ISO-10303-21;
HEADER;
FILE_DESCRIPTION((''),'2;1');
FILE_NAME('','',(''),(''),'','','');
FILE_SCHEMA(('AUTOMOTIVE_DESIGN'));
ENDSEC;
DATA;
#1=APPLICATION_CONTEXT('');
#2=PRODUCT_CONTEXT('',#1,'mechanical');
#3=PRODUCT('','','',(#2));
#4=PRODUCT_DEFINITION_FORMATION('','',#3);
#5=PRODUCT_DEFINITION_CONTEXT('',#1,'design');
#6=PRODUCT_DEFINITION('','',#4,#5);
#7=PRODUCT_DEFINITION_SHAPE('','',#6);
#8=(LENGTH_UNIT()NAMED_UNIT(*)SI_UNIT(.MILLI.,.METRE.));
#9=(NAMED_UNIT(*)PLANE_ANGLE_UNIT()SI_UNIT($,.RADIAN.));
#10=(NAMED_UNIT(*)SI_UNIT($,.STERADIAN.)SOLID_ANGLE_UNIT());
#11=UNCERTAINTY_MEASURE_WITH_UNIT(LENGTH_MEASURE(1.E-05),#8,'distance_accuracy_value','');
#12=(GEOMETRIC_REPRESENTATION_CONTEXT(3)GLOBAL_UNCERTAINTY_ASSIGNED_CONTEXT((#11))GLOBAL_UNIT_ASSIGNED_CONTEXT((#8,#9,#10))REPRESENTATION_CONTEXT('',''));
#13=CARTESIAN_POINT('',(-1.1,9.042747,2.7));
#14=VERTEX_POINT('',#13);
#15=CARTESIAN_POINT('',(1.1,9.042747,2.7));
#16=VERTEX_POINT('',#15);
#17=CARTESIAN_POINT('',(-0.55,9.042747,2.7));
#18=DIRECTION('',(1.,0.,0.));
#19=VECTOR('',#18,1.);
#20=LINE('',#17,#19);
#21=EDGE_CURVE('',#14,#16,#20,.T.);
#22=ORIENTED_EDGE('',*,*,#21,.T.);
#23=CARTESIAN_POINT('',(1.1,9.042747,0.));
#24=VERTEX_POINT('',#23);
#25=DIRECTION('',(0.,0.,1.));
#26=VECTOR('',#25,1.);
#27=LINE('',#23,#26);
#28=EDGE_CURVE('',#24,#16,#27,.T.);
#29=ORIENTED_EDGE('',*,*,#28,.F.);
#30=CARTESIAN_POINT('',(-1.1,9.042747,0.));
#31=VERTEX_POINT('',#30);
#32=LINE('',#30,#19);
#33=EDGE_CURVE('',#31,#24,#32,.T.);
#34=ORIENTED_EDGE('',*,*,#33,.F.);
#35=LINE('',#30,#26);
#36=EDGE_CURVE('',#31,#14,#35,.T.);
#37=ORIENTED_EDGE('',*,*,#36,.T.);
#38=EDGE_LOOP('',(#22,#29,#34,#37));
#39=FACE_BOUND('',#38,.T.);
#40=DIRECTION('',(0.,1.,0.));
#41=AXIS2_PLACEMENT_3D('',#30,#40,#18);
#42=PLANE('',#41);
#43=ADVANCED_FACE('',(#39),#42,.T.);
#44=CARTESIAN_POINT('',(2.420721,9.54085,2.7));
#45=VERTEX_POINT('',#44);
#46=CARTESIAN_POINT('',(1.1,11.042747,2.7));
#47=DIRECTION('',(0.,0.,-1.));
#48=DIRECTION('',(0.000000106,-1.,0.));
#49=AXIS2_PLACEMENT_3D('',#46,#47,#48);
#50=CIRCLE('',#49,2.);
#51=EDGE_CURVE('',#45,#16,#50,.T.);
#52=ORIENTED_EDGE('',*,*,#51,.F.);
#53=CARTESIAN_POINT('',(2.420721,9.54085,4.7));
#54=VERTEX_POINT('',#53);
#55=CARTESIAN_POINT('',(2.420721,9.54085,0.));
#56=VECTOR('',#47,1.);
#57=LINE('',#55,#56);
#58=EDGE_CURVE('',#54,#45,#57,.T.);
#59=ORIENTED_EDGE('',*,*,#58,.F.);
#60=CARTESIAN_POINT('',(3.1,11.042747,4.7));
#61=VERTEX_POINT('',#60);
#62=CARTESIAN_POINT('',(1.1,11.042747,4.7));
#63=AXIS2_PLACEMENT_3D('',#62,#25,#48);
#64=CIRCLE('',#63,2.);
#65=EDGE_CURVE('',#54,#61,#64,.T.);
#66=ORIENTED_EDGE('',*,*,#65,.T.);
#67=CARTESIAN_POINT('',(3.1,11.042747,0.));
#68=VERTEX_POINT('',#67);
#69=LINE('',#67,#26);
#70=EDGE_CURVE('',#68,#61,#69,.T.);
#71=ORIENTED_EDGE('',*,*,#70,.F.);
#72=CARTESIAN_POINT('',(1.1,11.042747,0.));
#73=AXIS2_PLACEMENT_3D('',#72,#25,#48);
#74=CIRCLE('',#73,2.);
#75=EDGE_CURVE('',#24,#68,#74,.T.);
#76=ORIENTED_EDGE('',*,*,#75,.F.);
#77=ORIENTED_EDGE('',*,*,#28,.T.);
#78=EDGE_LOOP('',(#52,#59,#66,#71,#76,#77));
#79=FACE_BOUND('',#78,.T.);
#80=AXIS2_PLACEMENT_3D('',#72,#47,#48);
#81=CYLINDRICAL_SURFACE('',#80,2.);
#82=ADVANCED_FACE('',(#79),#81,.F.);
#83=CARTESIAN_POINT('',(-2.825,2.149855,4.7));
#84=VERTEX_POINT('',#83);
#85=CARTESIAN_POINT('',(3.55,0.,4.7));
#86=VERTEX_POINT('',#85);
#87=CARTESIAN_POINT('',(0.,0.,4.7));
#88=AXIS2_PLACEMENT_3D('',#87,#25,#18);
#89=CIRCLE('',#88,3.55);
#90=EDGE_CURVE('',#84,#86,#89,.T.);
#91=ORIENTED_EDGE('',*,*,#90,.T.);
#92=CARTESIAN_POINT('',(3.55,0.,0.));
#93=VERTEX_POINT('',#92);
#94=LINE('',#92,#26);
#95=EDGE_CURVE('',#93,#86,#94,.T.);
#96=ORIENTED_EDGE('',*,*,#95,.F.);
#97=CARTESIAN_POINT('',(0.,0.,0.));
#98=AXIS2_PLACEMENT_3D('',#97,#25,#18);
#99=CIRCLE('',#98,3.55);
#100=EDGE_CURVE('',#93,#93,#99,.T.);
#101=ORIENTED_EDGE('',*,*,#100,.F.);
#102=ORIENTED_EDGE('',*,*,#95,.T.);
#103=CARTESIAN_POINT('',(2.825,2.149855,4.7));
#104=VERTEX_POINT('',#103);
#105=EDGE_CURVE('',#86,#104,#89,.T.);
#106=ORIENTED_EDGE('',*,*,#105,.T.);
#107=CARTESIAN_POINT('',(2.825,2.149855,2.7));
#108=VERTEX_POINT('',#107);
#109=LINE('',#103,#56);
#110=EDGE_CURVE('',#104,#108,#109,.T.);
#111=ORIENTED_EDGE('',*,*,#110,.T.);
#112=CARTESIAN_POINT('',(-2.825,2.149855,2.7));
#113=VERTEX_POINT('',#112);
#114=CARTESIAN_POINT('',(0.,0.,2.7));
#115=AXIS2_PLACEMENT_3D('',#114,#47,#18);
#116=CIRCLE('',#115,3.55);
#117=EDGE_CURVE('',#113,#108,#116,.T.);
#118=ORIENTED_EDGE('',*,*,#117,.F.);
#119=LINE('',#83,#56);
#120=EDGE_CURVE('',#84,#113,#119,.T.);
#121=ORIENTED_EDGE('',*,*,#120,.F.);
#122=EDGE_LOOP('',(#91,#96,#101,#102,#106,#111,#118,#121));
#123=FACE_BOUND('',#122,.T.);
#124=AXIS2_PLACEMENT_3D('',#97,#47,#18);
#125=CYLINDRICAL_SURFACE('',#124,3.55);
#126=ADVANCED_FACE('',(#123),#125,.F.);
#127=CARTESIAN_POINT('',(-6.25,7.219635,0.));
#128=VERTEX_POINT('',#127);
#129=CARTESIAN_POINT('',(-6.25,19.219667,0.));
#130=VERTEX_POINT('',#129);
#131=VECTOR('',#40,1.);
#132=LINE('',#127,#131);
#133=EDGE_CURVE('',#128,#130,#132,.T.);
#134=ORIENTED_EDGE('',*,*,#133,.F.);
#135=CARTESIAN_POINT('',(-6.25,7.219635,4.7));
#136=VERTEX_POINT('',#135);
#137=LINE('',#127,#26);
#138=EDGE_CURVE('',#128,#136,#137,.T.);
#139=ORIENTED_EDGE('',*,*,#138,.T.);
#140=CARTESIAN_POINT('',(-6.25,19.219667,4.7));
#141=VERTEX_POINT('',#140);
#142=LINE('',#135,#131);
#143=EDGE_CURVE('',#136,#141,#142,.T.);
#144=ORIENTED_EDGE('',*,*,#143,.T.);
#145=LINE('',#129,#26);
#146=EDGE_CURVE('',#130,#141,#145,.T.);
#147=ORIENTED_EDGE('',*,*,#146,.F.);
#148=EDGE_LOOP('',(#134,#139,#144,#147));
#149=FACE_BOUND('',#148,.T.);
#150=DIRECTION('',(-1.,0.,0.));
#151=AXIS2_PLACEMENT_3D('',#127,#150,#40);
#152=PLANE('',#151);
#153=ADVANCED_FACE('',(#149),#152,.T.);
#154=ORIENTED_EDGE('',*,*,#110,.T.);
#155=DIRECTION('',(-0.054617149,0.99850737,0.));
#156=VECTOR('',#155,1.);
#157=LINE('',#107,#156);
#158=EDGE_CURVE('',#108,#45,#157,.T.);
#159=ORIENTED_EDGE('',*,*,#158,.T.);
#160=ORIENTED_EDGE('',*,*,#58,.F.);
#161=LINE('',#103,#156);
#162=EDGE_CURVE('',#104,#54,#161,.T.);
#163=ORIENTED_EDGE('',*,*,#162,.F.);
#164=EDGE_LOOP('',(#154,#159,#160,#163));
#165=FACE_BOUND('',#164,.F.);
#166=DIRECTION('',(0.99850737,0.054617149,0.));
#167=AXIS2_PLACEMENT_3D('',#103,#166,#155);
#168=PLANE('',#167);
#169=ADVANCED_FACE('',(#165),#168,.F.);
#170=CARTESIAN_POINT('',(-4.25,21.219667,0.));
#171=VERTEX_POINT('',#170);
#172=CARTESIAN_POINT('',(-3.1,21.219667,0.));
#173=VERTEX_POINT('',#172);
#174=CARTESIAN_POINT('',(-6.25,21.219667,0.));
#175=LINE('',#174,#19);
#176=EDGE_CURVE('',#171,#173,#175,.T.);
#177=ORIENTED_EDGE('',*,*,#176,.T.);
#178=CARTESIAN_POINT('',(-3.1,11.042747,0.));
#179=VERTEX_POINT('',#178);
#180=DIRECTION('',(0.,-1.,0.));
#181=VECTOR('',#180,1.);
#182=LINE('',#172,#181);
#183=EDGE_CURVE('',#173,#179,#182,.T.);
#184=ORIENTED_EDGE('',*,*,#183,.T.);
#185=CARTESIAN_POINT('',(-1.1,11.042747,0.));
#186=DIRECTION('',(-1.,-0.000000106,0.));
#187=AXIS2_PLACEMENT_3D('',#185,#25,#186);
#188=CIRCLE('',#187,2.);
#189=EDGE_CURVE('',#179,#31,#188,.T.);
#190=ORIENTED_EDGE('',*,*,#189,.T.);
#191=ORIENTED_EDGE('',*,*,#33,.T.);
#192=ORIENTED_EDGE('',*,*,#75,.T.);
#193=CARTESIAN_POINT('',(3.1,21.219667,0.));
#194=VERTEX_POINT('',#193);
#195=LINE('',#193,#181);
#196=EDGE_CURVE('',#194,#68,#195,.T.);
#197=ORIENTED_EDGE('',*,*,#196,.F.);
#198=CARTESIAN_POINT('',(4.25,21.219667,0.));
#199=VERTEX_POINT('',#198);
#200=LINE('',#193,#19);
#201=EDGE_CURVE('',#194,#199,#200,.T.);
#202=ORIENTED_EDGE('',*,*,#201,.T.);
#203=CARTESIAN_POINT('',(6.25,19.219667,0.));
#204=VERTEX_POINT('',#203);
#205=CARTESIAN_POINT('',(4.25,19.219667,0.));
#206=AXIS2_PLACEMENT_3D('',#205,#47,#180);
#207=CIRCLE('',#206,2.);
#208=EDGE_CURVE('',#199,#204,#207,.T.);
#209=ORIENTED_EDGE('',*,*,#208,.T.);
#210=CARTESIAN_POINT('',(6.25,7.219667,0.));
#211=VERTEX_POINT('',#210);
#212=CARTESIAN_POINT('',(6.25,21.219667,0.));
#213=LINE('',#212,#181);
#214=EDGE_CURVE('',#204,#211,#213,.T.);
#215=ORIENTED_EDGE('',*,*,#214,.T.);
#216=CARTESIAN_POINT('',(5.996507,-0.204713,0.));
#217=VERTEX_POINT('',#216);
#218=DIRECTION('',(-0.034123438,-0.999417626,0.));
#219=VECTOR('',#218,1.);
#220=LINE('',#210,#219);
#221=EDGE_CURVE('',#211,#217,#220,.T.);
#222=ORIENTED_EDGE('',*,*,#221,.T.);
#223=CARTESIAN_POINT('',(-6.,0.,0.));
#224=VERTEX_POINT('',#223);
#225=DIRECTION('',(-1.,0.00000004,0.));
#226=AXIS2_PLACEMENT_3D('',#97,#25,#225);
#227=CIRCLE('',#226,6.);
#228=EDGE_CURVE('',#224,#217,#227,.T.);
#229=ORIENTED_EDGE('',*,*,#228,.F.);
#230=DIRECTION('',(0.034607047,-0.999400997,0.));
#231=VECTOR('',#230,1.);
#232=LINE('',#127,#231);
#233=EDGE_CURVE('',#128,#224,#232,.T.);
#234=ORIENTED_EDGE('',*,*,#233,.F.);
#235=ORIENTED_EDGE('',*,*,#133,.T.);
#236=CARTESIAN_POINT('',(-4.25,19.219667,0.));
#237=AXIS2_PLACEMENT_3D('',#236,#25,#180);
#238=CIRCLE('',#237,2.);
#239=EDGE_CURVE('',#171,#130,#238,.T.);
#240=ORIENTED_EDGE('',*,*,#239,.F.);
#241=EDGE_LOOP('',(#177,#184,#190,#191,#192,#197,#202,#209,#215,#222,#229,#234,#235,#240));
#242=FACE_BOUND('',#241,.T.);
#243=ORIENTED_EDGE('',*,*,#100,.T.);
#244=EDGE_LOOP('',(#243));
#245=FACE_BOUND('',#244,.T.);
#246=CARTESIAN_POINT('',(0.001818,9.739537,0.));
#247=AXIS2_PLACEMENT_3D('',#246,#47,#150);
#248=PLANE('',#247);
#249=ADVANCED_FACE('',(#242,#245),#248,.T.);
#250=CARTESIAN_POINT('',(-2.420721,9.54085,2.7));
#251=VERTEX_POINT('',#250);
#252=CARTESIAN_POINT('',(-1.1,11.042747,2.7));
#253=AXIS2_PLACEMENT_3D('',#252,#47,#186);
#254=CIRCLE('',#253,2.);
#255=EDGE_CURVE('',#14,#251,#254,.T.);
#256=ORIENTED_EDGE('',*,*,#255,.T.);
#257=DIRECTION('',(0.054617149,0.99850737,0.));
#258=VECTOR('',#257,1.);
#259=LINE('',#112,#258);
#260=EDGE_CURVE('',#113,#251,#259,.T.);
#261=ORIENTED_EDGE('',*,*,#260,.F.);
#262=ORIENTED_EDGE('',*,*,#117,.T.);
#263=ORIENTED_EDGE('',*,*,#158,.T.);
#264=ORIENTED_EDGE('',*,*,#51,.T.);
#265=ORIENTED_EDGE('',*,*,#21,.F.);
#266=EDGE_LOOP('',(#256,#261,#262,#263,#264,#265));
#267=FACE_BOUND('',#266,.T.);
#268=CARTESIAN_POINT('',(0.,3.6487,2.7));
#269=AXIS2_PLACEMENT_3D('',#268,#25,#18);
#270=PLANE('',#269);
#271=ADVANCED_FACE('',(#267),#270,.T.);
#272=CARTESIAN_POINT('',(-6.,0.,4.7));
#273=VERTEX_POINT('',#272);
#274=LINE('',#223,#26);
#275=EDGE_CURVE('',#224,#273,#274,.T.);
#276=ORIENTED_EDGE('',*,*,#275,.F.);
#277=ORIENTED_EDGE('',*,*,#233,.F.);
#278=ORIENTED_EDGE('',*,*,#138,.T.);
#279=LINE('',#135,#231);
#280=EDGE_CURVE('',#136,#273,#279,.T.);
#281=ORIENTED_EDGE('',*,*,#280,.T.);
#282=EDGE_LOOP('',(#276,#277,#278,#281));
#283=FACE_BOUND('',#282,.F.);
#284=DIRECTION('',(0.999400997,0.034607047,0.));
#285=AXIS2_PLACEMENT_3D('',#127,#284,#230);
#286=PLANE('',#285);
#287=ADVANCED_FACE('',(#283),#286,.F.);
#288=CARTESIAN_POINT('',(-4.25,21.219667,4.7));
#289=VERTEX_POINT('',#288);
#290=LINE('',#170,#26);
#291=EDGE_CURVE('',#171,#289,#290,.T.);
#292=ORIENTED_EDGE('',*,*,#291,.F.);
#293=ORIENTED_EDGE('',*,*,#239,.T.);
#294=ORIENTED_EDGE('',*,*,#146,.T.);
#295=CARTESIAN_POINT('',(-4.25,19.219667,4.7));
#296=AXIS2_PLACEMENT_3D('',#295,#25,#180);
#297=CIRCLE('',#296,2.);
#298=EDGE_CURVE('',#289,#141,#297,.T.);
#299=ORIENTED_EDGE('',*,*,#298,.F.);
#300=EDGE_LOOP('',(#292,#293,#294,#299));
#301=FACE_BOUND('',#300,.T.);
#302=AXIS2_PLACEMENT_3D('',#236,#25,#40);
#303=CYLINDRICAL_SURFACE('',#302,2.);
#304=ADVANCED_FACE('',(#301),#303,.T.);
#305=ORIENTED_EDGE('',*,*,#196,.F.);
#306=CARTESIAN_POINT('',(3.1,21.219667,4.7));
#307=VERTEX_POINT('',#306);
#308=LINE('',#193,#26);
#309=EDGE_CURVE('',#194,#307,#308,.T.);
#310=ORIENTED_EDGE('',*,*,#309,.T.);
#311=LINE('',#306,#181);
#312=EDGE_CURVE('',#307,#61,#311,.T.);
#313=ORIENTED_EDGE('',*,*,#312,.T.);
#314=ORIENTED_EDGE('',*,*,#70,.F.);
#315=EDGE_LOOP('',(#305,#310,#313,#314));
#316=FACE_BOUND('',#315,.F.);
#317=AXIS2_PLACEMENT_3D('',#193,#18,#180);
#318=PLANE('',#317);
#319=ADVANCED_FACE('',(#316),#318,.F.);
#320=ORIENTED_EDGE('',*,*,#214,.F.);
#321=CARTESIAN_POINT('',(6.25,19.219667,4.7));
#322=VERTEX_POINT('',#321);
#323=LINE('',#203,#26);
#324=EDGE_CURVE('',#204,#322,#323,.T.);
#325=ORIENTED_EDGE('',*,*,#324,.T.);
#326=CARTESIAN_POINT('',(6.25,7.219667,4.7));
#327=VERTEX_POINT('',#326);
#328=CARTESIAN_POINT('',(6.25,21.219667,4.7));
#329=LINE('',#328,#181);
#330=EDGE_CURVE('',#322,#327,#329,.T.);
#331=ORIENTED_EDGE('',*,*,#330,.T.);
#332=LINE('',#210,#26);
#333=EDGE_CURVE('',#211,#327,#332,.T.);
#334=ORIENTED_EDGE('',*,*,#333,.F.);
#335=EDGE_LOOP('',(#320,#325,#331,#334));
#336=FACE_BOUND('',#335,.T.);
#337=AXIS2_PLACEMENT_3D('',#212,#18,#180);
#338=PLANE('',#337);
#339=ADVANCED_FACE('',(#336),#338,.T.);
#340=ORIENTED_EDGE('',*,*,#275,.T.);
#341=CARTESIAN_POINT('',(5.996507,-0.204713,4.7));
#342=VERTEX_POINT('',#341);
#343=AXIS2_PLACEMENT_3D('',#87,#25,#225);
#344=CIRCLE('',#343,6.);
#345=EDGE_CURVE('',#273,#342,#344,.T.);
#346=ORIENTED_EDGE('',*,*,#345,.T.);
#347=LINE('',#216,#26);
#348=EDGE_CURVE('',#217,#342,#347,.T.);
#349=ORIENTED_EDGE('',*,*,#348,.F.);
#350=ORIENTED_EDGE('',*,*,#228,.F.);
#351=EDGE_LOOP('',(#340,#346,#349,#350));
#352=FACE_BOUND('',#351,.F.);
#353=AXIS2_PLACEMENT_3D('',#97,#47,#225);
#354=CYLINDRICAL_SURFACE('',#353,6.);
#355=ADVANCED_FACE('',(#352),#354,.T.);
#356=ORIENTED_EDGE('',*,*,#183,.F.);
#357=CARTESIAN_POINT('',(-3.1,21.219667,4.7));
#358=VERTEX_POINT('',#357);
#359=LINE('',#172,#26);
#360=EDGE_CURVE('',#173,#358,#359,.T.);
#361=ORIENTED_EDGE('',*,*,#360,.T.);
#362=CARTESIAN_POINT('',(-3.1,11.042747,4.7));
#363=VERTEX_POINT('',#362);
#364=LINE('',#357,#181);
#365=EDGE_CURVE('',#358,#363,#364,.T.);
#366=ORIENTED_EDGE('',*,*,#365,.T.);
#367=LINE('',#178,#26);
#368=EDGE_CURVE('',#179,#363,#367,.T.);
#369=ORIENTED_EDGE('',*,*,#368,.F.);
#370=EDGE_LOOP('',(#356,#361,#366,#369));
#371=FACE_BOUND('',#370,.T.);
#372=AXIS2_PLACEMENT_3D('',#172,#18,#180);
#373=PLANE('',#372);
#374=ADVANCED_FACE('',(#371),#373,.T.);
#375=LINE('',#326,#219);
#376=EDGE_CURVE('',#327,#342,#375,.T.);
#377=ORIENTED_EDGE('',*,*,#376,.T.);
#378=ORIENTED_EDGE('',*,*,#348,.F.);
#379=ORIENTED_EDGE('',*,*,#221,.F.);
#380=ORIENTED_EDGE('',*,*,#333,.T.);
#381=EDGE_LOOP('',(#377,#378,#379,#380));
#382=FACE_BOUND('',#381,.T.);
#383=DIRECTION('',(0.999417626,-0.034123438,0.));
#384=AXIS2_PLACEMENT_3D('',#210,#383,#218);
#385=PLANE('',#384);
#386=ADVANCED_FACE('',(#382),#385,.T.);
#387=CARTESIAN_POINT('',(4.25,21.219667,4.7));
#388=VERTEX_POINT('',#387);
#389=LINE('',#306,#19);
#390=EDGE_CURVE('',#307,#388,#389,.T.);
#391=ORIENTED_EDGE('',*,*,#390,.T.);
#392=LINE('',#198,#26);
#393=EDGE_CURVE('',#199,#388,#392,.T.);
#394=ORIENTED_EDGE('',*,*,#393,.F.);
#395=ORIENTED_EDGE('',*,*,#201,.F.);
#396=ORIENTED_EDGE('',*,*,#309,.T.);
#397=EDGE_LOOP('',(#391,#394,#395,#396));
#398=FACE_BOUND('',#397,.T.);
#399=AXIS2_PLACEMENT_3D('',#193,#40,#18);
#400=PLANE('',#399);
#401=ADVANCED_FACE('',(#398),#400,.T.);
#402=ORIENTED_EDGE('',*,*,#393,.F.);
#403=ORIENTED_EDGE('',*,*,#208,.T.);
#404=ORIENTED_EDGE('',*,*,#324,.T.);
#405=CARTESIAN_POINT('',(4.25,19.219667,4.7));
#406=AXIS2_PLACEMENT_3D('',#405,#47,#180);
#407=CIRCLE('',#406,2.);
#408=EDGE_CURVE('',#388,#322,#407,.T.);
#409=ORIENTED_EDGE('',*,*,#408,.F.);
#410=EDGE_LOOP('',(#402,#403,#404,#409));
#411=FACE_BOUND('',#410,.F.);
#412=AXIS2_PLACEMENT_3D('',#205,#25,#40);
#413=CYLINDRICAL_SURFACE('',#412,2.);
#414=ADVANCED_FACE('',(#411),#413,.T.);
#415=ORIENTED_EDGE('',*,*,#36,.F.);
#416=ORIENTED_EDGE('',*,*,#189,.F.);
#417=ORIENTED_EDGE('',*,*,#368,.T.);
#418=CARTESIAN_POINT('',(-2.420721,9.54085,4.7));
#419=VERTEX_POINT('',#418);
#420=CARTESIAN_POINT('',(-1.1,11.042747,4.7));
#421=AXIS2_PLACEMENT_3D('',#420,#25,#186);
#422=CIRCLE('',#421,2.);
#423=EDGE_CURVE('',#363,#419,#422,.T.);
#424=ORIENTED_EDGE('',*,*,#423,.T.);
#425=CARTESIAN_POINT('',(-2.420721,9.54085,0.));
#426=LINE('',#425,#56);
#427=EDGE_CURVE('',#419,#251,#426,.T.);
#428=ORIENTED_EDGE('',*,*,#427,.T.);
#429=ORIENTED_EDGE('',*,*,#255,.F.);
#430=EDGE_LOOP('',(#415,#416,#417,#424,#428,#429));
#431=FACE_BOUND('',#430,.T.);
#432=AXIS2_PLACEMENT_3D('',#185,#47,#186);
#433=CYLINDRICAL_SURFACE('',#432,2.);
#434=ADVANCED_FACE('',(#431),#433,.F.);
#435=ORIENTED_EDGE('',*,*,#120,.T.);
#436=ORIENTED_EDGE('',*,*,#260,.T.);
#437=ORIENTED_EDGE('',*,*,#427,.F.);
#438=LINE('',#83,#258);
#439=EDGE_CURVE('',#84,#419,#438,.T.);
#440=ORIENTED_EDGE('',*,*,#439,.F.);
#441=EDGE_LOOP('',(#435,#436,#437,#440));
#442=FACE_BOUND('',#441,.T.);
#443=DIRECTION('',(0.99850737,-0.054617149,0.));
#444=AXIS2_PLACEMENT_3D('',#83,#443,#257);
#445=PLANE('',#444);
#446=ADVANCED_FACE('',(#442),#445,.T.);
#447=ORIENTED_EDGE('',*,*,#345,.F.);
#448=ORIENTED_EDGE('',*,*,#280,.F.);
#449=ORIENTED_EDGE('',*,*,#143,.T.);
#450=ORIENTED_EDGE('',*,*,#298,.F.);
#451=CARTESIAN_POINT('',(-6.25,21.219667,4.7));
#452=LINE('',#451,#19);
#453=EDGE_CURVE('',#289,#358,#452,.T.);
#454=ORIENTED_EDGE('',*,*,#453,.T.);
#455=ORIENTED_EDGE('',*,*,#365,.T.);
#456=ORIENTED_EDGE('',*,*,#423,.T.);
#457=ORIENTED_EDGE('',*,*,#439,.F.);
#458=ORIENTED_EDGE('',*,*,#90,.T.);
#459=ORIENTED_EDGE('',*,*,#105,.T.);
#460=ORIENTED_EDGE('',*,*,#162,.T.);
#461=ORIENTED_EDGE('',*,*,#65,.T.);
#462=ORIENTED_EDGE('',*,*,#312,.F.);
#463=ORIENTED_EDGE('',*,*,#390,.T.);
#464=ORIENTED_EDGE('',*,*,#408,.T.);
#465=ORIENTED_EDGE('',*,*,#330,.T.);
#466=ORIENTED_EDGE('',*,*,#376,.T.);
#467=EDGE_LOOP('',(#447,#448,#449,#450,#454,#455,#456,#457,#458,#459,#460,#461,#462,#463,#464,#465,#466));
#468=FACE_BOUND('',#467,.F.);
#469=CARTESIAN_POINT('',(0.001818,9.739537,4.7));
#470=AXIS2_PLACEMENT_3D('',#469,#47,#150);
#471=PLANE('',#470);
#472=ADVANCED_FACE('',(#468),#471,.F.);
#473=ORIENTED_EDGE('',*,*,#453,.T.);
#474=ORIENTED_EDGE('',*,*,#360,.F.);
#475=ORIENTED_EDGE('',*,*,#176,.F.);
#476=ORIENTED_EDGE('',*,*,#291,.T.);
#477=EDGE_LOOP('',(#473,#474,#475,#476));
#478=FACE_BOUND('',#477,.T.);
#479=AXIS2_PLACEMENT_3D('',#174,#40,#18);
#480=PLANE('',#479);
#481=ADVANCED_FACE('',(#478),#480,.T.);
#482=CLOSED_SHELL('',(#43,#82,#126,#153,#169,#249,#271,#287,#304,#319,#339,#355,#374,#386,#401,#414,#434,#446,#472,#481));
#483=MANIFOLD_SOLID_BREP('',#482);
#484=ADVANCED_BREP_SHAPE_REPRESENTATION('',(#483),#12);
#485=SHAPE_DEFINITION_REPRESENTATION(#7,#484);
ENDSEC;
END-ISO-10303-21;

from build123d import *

# Parameters (mm, degrees)
SKETCH014_R      = 3.55
EXTRUDE004_DEPTH = 4.7
POCKET_DEPTH     = 2
FILLET006_R      = 2


with BuildPart() as part:
    # Sketch014 → Extrude004 (new body)
    with BuildSketch(Plane.XY):
        with BuildLine():
            Line((-6.25, 21.219667), (-3.1, 21.219667))
            Line((-3.1, 21.219667), (-3.1, 11.042747))
            ThreePointArc((-3.1, 11.042747), (-2.514214, 9.628534), (-1.1, 9.042747))
            Line((-1.1, 9.042747), (1.1, 9.042747))
            ThreePointArc((1.1, 9.042747), (2.514214, 9.628534), (3.1, 11.042747))
            Line((3.1, 21.219667), (3.1, 11.042747))
            Line((3.1, 21.219667), (6.25, 21.219667))
            Line((6.25, 21.219667), (6.25, 7.219667))
            Line((6.25, 7.219667), (5.996507, -0.204713))
            ThreePointArc((-6, 0), (-0.102371, -5.999127), (5.996507, -0.204713))
            Line((-6.25, 7.219635), (-6, 0))
            Line((-6.25, 7.219635), (-6.25, 21.219667))
        make_face()
        Circle(SKETCH014_R, mode=Mode.SUBTRACT)
    extrude(amount=EXTRUDE004_DEPTH)

    # Sketch015 (on Face15 of Extrude004) → Pocket (cut)
    with BuildSketch(Plane.XY.offset(4.7)):
        with BuildLine():
            ThreePointArc((-2.825, 2.149855), (0, -3.55), (2.825, 2.149855))
            Line((2.825, 2.149855), (2.4, 9.919679))
            Line((-2.4, 9.919679), (2.4, 9.919679))
            Line((-2.825, 2.149855), (-2.4, 9.919679))
        make_face()
    extrude(amount=-POCKET_DEPTH, mode=Mode.SUBTRACT)

    # Fillet006
    fillet006_edges = [part.edges().sort_by_distance(p)[0] for p in [
        (6.25, 21.219667, 2.35),
        (-6.25, 21.219667, 2.35),
    ]]
    fillet(fillet006_edges, radius=FILLET006_R)


solid = part.part
